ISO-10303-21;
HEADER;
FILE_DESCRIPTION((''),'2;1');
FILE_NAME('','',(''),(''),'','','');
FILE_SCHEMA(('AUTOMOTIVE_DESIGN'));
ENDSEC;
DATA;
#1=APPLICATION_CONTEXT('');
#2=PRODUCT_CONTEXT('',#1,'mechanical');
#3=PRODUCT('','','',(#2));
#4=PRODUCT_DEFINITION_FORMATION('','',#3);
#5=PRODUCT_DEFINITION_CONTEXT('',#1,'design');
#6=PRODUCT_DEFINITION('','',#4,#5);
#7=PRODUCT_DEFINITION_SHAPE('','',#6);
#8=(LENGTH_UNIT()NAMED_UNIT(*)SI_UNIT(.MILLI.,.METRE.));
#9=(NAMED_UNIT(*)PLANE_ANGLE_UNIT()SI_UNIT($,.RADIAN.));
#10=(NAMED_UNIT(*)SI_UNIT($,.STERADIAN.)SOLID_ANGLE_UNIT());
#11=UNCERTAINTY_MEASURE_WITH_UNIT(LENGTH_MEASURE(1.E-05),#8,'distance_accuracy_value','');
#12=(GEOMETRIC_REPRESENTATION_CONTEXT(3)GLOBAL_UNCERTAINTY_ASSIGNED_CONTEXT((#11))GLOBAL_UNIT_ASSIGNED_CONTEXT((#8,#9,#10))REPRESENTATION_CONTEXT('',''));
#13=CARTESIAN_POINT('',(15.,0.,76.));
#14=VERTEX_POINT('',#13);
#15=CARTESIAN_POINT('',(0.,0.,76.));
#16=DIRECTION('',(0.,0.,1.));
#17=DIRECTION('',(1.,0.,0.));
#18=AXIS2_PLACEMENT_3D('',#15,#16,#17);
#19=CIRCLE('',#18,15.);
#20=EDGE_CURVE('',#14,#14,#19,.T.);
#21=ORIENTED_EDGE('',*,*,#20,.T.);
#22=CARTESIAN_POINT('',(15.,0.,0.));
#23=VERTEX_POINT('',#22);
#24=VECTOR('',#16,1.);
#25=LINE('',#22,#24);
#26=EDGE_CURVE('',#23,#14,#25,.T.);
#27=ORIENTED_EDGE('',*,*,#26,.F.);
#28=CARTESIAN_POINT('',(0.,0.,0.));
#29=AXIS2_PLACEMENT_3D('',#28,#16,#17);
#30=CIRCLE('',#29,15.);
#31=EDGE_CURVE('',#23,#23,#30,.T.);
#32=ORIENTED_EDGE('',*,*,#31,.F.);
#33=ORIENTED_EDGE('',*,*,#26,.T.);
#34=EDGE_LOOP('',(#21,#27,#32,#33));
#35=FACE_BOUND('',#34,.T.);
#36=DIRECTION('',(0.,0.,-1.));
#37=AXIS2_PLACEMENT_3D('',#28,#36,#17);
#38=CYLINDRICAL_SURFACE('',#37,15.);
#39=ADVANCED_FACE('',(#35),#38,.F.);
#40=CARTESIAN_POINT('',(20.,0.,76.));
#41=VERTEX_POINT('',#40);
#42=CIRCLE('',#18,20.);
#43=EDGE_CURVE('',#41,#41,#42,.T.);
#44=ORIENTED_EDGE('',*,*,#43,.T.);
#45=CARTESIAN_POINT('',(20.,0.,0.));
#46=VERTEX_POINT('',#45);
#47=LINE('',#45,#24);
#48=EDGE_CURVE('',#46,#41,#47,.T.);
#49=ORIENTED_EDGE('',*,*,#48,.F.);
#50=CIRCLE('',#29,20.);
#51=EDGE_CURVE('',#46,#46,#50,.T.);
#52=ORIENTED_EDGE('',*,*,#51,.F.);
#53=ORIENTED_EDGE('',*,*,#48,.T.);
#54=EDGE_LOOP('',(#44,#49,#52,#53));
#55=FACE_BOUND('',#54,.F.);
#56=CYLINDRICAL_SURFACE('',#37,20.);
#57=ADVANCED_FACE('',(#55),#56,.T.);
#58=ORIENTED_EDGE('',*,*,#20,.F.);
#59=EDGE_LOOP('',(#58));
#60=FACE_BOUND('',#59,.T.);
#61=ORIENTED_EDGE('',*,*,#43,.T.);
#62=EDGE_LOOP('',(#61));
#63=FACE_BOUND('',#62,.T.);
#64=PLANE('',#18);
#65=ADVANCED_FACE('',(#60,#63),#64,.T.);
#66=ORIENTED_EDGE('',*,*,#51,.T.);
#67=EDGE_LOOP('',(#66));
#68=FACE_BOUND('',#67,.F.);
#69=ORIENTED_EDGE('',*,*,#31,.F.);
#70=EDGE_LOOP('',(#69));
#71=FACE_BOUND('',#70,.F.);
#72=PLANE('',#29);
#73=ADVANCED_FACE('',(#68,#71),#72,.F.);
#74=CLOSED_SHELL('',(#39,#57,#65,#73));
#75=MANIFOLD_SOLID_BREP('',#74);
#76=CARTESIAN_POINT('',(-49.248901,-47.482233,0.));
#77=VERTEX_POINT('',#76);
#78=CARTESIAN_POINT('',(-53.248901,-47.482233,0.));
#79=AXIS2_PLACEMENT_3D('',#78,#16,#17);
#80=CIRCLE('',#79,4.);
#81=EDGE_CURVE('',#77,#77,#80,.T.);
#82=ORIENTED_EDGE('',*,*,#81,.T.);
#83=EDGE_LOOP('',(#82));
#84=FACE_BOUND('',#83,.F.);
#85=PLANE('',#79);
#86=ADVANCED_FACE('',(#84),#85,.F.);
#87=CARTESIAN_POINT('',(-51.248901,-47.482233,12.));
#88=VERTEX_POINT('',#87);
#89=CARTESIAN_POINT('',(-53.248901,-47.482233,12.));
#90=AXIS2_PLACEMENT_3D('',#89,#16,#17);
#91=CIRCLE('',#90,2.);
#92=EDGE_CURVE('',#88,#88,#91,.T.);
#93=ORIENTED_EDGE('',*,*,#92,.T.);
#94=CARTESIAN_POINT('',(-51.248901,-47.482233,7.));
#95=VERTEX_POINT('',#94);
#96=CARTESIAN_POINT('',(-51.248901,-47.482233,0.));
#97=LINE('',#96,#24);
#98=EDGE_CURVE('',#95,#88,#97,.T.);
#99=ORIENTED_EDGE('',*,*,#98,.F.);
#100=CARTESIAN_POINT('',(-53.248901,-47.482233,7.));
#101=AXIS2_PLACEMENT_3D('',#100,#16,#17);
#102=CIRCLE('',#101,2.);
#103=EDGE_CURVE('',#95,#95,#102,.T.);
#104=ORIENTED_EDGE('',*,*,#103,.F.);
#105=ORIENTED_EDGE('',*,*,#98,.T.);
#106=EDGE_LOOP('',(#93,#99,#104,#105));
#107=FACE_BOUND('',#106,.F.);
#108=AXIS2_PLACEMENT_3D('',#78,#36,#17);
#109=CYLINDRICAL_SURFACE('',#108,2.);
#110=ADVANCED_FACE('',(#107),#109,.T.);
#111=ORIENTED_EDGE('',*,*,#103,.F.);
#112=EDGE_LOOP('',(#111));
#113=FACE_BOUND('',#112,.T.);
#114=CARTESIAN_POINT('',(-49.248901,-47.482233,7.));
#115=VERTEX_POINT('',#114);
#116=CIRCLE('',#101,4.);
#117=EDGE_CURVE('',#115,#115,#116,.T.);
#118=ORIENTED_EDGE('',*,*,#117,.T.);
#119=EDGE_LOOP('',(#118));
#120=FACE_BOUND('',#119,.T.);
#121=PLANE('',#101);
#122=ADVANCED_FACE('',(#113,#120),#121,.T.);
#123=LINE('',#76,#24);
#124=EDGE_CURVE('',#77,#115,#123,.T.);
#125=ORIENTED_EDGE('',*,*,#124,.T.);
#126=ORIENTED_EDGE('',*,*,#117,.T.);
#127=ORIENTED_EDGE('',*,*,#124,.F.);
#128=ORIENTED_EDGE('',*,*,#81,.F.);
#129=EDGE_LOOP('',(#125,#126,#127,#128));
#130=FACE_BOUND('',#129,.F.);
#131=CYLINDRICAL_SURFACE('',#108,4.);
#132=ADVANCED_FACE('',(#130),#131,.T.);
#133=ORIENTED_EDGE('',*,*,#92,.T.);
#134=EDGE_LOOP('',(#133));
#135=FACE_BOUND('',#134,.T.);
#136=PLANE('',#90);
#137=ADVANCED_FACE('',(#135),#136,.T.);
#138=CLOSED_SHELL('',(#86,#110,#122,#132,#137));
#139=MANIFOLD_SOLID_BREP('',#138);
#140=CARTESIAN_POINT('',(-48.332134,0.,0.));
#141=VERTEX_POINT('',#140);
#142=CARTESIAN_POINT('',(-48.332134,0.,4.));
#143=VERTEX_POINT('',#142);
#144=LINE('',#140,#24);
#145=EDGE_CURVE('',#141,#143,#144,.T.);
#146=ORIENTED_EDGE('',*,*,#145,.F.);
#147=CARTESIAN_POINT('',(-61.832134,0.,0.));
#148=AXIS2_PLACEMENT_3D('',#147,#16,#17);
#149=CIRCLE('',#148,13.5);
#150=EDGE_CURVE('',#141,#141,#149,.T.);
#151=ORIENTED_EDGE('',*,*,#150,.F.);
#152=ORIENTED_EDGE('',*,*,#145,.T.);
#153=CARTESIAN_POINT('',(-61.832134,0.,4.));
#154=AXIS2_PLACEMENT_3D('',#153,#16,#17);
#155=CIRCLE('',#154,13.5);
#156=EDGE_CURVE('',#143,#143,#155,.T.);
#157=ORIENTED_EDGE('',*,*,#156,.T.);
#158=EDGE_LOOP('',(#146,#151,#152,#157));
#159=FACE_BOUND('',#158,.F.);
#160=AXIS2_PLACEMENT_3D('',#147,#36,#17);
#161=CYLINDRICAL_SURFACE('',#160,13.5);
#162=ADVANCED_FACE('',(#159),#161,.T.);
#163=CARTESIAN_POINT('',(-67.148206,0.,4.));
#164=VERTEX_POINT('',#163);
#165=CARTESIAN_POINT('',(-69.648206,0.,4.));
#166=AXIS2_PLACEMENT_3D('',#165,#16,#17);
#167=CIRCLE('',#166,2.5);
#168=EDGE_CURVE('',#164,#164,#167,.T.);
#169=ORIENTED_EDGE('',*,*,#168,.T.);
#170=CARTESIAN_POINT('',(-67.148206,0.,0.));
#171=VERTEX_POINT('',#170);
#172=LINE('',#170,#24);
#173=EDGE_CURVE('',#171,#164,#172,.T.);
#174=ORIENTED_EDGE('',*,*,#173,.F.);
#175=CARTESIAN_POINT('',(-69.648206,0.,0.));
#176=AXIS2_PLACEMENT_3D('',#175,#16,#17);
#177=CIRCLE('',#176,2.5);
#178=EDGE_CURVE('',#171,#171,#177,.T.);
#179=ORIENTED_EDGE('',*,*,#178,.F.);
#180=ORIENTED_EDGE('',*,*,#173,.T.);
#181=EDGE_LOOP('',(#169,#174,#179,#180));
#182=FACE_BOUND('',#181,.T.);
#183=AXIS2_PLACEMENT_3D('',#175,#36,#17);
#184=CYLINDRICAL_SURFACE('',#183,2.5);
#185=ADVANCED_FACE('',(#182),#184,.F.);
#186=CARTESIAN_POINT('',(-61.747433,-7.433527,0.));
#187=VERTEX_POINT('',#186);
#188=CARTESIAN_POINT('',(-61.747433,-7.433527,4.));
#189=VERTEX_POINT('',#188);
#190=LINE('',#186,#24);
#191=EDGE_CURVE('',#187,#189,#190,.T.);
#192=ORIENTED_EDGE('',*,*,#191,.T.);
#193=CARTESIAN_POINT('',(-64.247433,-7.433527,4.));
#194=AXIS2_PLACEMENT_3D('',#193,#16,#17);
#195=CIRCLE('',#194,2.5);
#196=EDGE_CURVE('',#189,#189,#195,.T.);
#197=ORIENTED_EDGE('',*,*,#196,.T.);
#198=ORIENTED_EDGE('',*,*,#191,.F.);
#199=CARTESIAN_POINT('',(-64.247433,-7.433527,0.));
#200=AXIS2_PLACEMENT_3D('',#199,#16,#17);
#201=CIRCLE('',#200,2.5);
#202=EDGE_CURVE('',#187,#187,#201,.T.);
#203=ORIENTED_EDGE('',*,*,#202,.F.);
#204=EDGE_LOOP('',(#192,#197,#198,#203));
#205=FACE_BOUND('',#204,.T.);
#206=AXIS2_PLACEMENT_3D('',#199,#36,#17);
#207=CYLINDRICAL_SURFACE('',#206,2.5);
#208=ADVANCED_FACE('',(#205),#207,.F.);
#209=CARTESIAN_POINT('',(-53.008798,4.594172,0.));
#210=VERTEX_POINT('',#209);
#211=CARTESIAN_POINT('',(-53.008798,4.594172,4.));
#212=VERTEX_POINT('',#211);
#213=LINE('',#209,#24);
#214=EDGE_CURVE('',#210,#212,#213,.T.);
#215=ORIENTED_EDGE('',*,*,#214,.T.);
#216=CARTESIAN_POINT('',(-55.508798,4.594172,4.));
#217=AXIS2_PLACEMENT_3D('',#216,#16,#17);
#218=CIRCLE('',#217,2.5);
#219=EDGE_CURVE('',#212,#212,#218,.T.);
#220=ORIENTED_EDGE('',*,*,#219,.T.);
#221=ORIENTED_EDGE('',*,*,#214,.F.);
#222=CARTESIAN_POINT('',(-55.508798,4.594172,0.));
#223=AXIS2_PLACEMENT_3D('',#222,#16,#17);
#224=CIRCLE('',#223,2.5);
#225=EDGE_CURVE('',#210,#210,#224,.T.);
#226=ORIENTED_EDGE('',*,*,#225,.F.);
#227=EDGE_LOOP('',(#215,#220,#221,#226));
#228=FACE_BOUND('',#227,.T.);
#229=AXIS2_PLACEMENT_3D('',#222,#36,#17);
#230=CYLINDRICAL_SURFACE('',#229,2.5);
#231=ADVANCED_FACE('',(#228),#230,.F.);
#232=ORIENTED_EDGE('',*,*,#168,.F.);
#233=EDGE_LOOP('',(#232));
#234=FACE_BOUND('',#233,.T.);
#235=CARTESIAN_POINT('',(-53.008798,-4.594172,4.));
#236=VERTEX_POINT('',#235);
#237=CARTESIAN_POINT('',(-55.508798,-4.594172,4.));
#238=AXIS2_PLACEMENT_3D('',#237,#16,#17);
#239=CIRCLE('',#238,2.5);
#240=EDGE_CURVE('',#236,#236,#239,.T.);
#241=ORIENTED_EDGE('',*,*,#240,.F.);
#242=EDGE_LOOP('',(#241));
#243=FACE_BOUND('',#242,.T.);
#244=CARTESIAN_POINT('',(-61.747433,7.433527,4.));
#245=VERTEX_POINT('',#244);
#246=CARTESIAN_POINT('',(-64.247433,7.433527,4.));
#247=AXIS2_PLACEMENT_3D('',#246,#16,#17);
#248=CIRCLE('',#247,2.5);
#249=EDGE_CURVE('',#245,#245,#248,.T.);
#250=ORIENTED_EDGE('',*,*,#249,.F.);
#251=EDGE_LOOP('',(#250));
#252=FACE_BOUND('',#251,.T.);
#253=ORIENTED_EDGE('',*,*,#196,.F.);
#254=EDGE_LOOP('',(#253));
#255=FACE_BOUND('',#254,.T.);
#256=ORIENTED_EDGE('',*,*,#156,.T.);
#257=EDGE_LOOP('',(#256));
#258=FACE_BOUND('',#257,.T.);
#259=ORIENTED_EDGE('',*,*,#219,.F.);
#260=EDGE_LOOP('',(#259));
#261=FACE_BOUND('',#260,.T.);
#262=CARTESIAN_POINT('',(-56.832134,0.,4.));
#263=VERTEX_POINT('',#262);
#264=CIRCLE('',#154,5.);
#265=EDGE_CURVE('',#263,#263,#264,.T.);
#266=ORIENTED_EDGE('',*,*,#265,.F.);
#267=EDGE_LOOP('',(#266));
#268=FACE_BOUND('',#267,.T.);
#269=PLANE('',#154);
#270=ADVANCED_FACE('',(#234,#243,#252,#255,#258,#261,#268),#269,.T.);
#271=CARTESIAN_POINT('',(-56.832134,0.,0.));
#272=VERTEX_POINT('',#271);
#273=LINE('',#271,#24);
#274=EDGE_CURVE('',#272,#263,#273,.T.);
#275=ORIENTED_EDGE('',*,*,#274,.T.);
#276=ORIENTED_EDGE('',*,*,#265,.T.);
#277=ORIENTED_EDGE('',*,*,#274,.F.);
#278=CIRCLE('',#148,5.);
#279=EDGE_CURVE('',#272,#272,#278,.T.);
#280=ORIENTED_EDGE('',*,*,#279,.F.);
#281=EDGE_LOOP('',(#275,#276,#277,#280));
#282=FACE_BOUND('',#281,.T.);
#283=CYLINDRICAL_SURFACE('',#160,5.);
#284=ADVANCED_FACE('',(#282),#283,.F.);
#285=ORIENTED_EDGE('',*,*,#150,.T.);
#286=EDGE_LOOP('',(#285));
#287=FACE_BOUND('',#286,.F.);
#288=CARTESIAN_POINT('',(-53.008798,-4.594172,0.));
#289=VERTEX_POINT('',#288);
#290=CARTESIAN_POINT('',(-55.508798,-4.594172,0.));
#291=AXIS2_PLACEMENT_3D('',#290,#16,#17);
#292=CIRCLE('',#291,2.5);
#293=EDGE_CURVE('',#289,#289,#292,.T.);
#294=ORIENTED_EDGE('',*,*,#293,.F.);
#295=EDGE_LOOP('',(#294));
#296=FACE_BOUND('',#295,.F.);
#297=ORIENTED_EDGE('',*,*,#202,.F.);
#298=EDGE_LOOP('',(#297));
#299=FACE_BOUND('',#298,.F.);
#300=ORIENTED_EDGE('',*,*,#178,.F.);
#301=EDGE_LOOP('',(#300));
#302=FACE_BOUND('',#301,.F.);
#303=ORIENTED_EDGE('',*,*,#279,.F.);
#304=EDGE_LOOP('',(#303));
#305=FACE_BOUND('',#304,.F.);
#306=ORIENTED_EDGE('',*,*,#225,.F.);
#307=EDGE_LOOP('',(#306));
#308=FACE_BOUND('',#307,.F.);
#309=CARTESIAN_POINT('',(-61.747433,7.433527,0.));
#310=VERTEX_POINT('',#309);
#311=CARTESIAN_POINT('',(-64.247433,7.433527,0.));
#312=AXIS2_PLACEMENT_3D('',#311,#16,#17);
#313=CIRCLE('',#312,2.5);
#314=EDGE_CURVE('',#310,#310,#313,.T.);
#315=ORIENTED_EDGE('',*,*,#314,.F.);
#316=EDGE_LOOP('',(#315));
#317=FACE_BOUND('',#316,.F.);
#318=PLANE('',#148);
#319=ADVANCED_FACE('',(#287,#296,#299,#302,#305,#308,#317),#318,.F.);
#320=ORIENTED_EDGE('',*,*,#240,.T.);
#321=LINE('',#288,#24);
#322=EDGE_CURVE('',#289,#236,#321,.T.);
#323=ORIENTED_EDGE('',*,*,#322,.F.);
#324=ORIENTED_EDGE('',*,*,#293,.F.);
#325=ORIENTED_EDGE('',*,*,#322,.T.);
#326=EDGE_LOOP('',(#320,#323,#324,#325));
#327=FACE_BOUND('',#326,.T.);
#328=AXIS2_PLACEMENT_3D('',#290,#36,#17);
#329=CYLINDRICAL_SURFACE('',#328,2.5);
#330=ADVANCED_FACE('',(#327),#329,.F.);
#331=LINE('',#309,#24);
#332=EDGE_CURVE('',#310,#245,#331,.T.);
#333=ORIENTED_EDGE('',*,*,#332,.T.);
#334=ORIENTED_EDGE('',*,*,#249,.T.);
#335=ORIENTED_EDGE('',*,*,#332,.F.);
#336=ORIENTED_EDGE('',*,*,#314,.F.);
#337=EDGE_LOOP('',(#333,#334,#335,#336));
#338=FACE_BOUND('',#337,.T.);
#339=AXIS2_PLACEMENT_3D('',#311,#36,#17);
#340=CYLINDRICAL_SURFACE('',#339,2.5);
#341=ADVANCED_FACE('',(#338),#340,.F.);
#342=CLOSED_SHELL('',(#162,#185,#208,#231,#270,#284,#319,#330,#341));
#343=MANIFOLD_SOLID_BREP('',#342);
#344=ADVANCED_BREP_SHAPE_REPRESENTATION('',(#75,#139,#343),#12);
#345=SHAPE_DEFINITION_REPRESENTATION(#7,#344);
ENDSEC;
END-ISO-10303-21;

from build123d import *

# Parameters (mm, degrees)
F0_R     = 20
F0_R_2   = 15
F1_DEPTH = 76
F0_R_3   = 13.5
F0_R_4   = 10.5
F0_R_5   = 2.5
F0_R_6   = 5
F2_DEPTH = 4
F0_R_7   = 2
F3_DEPTH = 12
F0_R_8   = 4
F4_DEPTH = 7


with BuildPart() as f1:
    # F0 (on Top) → F1 (new body)
    with BuildSketch(Plane.XY):
        Circle(F0_R)
        Circle(F0_R_2, mode=Mode.SUBTRACT)
    extrude(amount=F1_DEPTH)


with BuildPart() as f2:
    # F0 (on Top) → F2 (new body)
    with BuildSketch(Plane.XY):
        with Locations((-61.8321336806, 0)):
            Circle(F0_R_3)
        with Locations((-61.8321336806, 0)):
            Circle(F0_R_4, mode=Mode.SUBTRACT)
        with Locations((-61.8321336806, 0)):
            Circle(F0_R_4)
        with Locations((-64.2474329288, -7.4335267337)):
            Circle(F0_R_5, mode=Mode.SUBTRACT)
        with Locations((-55.5087981556, -4.5941721777)):
            Circle(F0_R_5, mode=Mode.SUBTRACT)
        with Locations((-69.648206234, 0)):
            Circle(F0_R_5, mode=Mode.SUBTRACT)
        with Locations((-61.8321336806, 0)):
            Circle(F0_R_6, mode=Mode.SUBTRACT)
        with Locations((-64.2474329288, 7.4335267337)):
            Circle(F0_R_5, mode=Mode.SUBTRACT)
        with Locations((-55.5087981556, 4.5941721777)):
            Circle(F0_R_5, mode=Mode.SUBTRACT)
    extrude(amount=F2_DEPTH)


with BuildPart() as f3:
    # F0 (on Top) → F3 (new body)
    with BuildSketch(Plane.XY):
        with Locations((-53.2489009202, -47.4822334945)):
            Circle(F0_R_7)
    extrude(amount=F3_DEPTH)

    # F0 (on Top) → F4 (join)
    with BuildSketch(Plane.XY):
        with Locations((-53.2489009202, -47.4822334945)):
            Circle(F0_R_8)
        with Locations((-53.2489009202, -47.4822334945)):
            Circle(F0_R_7, mode=Mode.SUBTRACT)
    extrude(amount=F4_DEPTH)


solid = Compound([f1.part, f2.part, f3.part])
